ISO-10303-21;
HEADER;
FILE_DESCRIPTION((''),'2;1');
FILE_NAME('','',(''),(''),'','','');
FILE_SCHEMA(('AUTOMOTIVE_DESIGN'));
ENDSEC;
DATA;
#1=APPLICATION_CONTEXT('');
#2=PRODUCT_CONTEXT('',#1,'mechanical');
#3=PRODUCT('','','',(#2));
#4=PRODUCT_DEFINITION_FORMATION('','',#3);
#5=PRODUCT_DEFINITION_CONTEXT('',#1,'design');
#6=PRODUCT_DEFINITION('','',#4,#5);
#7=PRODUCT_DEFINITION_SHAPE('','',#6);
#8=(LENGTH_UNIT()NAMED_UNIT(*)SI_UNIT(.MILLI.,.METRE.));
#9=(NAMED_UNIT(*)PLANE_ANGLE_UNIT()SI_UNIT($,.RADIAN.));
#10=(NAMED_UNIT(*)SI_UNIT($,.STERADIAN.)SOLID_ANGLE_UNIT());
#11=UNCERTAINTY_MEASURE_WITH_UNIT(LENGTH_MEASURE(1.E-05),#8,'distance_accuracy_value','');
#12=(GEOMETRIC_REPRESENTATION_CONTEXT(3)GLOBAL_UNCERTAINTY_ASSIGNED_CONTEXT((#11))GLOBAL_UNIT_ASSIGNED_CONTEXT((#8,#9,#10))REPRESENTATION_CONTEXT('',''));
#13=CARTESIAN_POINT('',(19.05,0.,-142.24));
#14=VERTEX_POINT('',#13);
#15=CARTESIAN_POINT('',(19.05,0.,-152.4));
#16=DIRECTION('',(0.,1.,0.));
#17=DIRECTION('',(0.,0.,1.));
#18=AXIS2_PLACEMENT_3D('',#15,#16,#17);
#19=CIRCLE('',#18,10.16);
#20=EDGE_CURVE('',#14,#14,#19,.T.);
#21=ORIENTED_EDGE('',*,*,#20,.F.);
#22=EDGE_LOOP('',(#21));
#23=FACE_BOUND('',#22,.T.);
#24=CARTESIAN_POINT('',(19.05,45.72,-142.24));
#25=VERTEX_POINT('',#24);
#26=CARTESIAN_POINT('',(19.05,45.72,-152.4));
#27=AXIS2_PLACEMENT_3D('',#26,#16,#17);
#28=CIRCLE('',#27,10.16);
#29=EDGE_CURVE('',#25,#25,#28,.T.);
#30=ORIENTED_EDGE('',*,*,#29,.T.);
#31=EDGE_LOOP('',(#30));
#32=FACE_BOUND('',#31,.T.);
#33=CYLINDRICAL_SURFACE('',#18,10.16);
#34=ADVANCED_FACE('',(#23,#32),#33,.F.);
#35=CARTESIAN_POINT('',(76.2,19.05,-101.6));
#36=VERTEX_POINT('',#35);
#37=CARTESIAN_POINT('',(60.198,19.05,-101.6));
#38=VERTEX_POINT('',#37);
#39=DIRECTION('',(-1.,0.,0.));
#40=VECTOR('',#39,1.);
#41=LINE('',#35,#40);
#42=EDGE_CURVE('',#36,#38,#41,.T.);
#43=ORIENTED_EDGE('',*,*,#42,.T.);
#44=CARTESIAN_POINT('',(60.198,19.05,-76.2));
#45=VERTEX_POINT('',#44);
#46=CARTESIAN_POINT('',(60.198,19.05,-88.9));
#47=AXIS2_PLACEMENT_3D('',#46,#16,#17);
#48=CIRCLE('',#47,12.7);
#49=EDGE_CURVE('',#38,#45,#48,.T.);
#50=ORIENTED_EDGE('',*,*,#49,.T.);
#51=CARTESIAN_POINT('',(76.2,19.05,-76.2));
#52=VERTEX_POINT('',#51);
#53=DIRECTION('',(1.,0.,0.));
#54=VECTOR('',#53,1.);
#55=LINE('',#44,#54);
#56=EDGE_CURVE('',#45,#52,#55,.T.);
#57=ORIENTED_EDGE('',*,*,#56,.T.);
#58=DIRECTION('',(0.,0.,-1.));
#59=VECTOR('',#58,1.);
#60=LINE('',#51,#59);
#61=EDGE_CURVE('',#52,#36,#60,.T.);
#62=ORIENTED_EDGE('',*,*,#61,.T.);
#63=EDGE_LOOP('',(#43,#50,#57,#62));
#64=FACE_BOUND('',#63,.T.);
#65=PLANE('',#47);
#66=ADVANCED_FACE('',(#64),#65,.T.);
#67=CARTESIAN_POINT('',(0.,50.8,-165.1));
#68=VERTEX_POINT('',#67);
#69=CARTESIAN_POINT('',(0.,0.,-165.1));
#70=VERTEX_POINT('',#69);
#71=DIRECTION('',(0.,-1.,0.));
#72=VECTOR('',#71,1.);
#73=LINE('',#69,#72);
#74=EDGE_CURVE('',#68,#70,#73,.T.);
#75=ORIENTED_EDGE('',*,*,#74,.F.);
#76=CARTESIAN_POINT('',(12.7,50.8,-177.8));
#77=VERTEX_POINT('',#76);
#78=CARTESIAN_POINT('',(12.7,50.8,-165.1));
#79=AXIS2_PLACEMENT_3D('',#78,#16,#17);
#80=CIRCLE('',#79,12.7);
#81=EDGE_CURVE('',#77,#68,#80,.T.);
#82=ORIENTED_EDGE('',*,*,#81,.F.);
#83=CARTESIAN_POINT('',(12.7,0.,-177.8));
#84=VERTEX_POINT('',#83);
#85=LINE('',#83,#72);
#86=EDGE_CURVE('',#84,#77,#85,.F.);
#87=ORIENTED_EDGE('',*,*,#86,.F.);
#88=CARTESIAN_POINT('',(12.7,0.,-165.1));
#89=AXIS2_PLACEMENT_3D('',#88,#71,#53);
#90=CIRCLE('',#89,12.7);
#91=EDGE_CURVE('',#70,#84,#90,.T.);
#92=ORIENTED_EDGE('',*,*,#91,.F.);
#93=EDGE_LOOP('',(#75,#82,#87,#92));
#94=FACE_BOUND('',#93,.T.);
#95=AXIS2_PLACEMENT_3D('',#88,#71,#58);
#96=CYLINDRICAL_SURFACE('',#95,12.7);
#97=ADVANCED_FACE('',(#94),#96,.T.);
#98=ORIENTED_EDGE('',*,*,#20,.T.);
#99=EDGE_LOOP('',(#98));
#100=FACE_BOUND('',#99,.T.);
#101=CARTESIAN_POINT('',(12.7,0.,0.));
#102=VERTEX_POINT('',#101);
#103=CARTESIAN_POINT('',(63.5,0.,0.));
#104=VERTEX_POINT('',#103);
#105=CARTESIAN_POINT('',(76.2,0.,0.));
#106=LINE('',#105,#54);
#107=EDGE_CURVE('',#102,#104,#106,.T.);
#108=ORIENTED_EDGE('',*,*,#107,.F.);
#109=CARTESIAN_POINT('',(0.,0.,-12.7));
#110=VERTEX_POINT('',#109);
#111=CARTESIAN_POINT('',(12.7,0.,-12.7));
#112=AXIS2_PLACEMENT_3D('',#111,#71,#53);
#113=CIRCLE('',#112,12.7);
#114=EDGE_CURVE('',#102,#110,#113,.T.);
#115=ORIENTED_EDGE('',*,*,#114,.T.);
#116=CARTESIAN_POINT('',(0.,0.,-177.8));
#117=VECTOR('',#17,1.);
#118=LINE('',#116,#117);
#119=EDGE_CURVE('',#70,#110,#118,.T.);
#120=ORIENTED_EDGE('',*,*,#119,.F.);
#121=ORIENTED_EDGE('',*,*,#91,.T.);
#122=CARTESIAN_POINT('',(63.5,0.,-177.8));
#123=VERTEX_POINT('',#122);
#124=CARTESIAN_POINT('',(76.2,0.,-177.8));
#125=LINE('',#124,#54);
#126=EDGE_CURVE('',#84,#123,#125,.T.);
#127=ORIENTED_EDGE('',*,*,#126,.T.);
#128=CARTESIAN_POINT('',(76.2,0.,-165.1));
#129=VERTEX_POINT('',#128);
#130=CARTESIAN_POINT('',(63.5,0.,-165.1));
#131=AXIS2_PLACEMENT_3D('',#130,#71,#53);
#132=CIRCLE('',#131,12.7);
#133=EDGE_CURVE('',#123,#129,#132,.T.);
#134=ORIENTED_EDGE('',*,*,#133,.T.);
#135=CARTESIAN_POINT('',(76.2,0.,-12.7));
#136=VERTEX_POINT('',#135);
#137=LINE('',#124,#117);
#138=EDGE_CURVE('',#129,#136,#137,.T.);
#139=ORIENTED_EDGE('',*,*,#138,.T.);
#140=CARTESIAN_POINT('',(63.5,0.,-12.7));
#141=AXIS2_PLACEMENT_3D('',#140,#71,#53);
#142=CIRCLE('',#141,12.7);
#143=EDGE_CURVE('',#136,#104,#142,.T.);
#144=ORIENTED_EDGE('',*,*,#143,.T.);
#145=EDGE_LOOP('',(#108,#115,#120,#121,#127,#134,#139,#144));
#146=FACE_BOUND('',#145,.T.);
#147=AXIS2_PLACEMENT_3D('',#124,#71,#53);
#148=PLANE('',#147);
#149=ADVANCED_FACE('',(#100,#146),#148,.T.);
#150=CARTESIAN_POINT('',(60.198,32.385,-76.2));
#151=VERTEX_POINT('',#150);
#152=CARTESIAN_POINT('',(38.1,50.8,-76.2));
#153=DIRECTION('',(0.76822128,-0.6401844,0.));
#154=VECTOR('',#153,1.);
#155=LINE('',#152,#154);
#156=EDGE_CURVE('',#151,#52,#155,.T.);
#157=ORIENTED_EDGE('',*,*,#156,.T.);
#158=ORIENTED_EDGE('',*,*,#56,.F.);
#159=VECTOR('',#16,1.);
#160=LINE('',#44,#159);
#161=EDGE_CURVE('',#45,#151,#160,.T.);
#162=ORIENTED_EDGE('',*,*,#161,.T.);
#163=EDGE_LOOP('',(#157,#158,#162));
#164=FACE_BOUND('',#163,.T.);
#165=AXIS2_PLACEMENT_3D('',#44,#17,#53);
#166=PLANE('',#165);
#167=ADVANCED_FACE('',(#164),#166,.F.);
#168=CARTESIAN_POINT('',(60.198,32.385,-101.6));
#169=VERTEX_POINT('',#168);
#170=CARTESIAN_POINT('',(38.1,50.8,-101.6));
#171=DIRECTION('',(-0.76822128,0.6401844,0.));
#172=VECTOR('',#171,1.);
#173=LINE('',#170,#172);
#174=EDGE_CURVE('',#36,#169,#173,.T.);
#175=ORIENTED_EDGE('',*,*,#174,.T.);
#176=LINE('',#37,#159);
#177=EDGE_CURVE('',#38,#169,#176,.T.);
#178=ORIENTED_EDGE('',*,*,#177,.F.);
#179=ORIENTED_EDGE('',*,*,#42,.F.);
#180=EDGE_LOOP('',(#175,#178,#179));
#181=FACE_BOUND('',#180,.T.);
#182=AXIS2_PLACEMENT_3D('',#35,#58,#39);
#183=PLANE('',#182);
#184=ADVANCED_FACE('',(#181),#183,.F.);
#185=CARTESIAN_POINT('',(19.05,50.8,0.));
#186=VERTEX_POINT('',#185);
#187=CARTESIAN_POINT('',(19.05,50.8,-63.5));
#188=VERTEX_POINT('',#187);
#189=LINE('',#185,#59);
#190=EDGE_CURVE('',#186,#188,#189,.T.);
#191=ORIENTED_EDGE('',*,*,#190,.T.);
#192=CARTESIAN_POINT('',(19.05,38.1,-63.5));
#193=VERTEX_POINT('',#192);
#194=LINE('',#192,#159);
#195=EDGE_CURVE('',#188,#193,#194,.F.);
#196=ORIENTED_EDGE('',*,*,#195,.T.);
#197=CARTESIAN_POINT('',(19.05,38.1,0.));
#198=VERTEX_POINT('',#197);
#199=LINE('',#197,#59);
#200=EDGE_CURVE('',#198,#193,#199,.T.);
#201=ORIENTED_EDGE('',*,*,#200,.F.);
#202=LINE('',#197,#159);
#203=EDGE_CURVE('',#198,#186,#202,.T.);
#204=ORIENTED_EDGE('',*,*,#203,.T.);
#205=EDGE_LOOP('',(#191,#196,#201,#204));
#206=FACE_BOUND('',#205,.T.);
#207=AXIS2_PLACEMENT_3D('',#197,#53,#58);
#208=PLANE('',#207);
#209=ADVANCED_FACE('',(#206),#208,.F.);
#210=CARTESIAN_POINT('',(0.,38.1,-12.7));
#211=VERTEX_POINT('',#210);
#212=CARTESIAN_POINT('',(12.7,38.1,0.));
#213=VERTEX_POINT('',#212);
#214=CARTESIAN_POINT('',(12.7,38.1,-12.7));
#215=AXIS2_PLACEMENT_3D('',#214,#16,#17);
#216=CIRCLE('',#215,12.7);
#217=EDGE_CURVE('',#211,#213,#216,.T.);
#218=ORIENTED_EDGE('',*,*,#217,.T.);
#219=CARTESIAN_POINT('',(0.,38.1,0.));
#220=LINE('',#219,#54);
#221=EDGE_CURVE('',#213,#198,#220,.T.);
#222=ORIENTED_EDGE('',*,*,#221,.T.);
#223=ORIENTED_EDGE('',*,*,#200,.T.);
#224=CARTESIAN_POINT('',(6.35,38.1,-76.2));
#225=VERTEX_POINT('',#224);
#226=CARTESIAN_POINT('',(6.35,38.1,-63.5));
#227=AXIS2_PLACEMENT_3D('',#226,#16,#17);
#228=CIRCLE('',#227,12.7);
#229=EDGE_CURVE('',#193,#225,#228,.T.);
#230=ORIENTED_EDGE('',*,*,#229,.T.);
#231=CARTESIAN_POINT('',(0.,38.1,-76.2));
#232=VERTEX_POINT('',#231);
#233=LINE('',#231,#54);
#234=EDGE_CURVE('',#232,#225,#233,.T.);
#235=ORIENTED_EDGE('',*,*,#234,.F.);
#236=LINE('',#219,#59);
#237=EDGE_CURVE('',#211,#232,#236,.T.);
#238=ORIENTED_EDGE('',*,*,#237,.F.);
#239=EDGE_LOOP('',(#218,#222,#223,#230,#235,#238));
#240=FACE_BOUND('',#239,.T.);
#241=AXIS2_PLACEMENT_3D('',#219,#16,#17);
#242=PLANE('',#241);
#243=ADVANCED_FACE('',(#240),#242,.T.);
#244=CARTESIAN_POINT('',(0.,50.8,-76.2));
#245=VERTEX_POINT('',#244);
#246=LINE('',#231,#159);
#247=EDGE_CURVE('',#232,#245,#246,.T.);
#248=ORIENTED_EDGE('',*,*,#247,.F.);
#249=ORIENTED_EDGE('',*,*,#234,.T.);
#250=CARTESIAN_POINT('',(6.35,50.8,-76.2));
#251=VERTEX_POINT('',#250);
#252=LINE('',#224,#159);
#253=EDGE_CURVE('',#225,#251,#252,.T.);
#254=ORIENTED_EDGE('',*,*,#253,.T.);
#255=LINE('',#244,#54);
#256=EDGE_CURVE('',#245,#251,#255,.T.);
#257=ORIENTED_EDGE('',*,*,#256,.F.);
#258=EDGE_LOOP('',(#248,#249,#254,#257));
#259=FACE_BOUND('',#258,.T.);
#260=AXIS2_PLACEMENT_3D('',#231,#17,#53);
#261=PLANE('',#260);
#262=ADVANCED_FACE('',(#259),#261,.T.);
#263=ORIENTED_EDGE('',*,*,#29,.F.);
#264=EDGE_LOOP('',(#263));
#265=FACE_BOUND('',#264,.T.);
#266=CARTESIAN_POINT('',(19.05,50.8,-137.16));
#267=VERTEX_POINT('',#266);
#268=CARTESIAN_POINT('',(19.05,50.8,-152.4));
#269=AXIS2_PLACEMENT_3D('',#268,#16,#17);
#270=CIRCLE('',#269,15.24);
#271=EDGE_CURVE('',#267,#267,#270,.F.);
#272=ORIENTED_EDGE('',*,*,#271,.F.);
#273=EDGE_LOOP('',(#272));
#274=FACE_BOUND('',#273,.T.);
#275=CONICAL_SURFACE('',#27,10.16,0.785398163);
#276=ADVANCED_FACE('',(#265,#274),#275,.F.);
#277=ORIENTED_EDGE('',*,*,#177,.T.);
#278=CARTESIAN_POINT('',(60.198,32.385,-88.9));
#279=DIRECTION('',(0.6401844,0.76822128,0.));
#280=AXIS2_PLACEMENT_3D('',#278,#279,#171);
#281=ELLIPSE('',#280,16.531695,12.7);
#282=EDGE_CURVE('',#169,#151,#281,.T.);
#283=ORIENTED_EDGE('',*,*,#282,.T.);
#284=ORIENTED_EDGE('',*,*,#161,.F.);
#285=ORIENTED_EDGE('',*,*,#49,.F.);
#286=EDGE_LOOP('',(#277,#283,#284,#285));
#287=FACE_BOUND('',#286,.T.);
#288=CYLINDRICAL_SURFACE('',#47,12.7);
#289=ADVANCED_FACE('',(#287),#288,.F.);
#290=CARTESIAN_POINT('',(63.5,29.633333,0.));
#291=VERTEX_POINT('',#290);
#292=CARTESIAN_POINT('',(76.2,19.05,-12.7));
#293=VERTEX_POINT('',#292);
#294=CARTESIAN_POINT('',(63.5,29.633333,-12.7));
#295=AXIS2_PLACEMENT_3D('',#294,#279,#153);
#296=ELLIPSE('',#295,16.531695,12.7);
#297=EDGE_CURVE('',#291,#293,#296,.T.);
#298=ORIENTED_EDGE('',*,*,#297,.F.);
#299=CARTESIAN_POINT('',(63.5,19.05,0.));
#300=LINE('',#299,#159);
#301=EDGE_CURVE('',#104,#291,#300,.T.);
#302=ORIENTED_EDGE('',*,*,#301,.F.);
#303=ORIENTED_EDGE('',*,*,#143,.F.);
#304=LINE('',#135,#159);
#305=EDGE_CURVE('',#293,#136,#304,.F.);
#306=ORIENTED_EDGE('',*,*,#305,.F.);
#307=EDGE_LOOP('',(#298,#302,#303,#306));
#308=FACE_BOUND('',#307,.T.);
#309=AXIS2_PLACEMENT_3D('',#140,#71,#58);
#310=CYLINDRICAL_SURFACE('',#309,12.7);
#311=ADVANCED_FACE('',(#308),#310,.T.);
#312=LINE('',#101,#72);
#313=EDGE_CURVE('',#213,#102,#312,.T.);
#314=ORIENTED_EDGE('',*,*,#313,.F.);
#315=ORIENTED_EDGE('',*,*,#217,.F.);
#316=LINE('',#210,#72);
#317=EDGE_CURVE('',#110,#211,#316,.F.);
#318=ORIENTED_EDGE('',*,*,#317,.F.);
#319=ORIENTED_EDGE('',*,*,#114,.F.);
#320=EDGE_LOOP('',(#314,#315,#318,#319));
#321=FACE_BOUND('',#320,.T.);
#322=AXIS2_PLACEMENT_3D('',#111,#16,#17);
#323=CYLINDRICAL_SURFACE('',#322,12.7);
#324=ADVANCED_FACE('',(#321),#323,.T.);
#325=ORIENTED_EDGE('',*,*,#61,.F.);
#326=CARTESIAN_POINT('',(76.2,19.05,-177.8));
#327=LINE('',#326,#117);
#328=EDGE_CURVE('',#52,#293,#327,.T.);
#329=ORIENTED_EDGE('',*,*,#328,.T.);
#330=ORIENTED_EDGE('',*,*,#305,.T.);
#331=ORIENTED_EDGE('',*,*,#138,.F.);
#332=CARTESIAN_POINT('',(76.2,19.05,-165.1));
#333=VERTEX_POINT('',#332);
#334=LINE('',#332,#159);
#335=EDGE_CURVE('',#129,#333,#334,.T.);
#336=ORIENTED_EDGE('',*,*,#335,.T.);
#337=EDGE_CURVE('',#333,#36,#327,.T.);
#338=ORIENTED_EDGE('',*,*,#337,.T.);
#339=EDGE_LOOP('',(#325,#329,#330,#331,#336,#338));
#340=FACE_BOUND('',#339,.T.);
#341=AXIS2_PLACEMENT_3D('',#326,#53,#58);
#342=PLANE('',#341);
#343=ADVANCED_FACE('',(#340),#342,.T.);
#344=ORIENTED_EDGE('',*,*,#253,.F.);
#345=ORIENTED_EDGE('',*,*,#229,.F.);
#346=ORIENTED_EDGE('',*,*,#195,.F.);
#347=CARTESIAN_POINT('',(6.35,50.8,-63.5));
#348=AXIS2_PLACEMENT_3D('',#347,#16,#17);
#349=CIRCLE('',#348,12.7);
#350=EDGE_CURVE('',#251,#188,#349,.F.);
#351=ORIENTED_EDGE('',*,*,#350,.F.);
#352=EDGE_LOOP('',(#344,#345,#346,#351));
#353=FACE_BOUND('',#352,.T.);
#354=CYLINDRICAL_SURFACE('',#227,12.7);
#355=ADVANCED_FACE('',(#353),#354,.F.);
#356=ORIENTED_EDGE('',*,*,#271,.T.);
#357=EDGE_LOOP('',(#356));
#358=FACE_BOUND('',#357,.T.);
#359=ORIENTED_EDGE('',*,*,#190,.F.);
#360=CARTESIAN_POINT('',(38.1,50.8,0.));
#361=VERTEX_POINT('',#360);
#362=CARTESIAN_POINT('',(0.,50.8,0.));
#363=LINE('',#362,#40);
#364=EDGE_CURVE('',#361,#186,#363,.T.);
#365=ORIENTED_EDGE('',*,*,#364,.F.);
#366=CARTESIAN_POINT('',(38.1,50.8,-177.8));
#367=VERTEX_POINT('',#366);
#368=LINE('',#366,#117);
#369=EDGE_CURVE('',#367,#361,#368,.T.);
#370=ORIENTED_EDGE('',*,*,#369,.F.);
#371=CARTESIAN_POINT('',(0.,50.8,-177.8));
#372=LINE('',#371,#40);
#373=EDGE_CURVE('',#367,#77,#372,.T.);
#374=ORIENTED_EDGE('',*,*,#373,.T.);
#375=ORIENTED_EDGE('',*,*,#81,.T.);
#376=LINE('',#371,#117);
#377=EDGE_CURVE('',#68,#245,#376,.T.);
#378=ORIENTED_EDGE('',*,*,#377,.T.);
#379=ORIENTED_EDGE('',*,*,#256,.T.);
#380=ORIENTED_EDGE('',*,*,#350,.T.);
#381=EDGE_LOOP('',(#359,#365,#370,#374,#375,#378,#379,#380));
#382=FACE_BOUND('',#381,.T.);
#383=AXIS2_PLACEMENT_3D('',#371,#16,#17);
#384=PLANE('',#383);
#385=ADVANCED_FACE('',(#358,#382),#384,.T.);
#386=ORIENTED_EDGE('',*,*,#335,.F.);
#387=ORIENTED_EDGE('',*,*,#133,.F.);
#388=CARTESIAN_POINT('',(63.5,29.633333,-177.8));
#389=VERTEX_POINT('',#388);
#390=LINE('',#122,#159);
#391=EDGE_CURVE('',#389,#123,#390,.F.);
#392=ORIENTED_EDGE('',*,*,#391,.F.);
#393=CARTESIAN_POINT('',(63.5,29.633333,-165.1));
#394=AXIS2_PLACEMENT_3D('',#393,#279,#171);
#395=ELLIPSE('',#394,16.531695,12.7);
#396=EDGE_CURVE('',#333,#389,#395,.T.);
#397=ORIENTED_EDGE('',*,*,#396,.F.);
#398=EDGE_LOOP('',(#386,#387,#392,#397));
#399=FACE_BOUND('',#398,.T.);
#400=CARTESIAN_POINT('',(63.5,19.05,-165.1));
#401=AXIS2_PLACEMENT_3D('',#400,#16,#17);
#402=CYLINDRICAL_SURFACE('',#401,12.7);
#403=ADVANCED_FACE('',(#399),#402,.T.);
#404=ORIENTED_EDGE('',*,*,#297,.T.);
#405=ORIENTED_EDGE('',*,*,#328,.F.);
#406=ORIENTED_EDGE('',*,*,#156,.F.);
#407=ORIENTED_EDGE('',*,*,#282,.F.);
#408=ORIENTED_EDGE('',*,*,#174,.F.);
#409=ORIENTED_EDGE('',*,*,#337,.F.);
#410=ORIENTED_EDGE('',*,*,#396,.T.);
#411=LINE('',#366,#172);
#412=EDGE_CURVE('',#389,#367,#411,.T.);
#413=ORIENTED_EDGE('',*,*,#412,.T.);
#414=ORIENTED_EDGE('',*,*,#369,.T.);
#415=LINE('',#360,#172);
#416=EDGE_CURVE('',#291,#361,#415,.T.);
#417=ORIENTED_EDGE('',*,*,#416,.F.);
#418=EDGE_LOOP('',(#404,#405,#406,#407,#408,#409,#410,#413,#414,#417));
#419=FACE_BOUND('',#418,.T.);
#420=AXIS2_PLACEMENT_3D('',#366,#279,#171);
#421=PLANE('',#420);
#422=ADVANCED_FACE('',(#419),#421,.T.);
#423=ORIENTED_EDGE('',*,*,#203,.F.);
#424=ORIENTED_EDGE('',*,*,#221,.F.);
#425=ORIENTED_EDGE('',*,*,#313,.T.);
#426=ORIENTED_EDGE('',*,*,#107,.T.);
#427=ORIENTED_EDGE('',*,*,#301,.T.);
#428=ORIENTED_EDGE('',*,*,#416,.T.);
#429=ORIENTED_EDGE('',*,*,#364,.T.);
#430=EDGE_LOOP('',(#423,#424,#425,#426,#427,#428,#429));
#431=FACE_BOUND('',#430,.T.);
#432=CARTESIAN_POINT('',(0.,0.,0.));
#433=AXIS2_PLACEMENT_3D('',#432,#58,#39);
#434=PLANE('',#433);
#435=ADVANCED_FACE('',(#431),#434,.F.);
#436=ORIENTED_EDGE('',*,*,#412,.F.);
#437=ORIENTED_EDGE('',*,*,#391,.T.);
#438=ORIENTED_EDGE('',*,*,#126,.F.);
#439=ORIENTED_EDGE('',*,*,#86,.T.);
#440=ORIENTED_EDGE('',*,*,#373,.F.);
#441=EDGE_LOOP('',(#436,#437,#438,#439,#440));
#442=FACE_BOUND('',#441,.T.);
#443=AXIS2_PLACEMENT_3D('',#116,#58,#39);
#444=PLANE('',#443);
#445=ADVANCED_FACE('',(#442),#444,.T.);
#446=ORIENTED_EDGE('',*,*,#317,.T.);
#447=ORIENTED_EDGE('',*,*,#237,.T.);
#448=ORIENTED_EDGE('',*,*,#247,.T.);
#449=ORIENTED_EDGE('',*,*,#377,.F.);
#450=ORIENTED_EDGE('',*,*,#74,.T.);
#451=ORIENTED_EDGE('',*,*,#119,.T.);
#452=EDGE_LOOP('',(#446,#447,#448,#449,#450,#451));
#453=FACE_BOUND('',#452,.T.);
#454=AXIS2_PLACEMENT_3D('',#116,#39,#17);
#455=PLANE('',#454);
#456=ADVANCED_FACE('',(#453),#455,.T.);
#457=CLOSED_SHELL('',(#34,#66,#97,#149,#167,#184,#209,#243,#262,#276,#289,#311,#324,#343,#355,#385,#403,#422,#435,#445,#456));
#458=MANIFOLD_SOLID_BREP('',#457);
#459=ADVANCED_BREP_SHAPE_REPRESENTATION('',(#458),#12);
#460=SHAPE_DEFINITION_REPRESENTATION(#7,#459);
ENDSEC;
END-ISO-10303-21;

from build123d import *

# Parameters (mm, degrees)
BOSS_EXTRUDE1_DEPTH = 177.8
SKETCH8_R           = 10.16
CUT_EXTRUDE1_DEPTH  = 51.8
CHAMFER1_SIZE       = 5.08
SKETCH9_W           = 19.05
SKETCH9_H           = 76.2
CUT_EXTRUDE2_DEPTH  = 12.7
FILLET1_R           = 12.7
CUT_EXTRUDE3_DEPTH  = 31.75
FILLET2_R           = 12.7


with BuildPart() as part:
    # Sketch1 → Boss-Extrude1 (new body)
    with BuildSketch(Plane.XY):
        Polygon((0, 0), (0, 50.8), (38.1, 50.8), (76.2, 19.05), (76.2, 0), align=None)
    extrude(amount=-BOSS_EXTRUDE1_DEPTH)

    # Sketch8 → Cut-Extrude1 (cut, through all)
    with BuildSketch(Plane(origin=(0, 50.8, 0), x_dir=(1, 0, 0), z_dir=(0, 1, 0))):
        with Locations((19.05, 152.4)):
            Circle(SKETCH8_R)
    extrude(amount=-CUT_EXTRUDE1_DEPTH, mode=Mode.SUBTRACT)

    # Chamfer1
    chamfer1_edges = [part.edges().sort_by_distance(p)[0] for p in [
        (8.89, 50.8, -152.4),
    ]]
    chamfer(chamfer1_edges, length=CHAMFER1_SIZE)

    # Sketch9 → Cut-Extrude2 (cut)
    with BuildSketch(Plane(origin=(0, 50.8, 0), x_dir=(1, 0, 0), z_dir=(0, 1, 0))):
        with Locations((9.525, 38.1)):
            Rectangle(SKETCH9_W, SKETCH9_H)
    extrude(amount=-CUT_EXTRUDE2_DEPTH, mode=Mode.SUBTRACT)

    # Fillet1
    fillet1_edges = [part.edges().sort_by_distance(p)[0] for p in [
        (19.05, 44.45, -76.2),
    ]]
    fillet(fillet1_edges, radius=FILLET1_R)

    # Sketch10 → Cut-Extrude3 (cut)
    with BuildSketch(Plane(origin=(0, 50.8, 0), x_dir=(1, 0, 0), z_dir=(0, 1, 0))):
        with BuildLine():
            Line((76.2, 101.6), (60.198, 101.6))
            ThreePointArc((60.198, 101.6), (47.498, 88.9), (60.198, 76.2))
            Line((60.198, 76.2), (76.2, 76.2))
            Line((76.2, 76.2), (76.2, 101.6))
        make_face()
    extrude(amount=-CUT_EXTRUDE3_DEPTH, mode=Mode.SUBTRACT)

    # Fillet2
    fillet2_edges = [part.edges().sort_by_distance(p)[0] for p in [
        (0, 25.4, -177.8),
        (0, 19.05, 0),
        (76.2, 9.525, 0),
        (76.2, 9.525, -177.8),
    ]]
    fillet(fillet2_edges, radius=FILLET2_R)


solid = part.part
